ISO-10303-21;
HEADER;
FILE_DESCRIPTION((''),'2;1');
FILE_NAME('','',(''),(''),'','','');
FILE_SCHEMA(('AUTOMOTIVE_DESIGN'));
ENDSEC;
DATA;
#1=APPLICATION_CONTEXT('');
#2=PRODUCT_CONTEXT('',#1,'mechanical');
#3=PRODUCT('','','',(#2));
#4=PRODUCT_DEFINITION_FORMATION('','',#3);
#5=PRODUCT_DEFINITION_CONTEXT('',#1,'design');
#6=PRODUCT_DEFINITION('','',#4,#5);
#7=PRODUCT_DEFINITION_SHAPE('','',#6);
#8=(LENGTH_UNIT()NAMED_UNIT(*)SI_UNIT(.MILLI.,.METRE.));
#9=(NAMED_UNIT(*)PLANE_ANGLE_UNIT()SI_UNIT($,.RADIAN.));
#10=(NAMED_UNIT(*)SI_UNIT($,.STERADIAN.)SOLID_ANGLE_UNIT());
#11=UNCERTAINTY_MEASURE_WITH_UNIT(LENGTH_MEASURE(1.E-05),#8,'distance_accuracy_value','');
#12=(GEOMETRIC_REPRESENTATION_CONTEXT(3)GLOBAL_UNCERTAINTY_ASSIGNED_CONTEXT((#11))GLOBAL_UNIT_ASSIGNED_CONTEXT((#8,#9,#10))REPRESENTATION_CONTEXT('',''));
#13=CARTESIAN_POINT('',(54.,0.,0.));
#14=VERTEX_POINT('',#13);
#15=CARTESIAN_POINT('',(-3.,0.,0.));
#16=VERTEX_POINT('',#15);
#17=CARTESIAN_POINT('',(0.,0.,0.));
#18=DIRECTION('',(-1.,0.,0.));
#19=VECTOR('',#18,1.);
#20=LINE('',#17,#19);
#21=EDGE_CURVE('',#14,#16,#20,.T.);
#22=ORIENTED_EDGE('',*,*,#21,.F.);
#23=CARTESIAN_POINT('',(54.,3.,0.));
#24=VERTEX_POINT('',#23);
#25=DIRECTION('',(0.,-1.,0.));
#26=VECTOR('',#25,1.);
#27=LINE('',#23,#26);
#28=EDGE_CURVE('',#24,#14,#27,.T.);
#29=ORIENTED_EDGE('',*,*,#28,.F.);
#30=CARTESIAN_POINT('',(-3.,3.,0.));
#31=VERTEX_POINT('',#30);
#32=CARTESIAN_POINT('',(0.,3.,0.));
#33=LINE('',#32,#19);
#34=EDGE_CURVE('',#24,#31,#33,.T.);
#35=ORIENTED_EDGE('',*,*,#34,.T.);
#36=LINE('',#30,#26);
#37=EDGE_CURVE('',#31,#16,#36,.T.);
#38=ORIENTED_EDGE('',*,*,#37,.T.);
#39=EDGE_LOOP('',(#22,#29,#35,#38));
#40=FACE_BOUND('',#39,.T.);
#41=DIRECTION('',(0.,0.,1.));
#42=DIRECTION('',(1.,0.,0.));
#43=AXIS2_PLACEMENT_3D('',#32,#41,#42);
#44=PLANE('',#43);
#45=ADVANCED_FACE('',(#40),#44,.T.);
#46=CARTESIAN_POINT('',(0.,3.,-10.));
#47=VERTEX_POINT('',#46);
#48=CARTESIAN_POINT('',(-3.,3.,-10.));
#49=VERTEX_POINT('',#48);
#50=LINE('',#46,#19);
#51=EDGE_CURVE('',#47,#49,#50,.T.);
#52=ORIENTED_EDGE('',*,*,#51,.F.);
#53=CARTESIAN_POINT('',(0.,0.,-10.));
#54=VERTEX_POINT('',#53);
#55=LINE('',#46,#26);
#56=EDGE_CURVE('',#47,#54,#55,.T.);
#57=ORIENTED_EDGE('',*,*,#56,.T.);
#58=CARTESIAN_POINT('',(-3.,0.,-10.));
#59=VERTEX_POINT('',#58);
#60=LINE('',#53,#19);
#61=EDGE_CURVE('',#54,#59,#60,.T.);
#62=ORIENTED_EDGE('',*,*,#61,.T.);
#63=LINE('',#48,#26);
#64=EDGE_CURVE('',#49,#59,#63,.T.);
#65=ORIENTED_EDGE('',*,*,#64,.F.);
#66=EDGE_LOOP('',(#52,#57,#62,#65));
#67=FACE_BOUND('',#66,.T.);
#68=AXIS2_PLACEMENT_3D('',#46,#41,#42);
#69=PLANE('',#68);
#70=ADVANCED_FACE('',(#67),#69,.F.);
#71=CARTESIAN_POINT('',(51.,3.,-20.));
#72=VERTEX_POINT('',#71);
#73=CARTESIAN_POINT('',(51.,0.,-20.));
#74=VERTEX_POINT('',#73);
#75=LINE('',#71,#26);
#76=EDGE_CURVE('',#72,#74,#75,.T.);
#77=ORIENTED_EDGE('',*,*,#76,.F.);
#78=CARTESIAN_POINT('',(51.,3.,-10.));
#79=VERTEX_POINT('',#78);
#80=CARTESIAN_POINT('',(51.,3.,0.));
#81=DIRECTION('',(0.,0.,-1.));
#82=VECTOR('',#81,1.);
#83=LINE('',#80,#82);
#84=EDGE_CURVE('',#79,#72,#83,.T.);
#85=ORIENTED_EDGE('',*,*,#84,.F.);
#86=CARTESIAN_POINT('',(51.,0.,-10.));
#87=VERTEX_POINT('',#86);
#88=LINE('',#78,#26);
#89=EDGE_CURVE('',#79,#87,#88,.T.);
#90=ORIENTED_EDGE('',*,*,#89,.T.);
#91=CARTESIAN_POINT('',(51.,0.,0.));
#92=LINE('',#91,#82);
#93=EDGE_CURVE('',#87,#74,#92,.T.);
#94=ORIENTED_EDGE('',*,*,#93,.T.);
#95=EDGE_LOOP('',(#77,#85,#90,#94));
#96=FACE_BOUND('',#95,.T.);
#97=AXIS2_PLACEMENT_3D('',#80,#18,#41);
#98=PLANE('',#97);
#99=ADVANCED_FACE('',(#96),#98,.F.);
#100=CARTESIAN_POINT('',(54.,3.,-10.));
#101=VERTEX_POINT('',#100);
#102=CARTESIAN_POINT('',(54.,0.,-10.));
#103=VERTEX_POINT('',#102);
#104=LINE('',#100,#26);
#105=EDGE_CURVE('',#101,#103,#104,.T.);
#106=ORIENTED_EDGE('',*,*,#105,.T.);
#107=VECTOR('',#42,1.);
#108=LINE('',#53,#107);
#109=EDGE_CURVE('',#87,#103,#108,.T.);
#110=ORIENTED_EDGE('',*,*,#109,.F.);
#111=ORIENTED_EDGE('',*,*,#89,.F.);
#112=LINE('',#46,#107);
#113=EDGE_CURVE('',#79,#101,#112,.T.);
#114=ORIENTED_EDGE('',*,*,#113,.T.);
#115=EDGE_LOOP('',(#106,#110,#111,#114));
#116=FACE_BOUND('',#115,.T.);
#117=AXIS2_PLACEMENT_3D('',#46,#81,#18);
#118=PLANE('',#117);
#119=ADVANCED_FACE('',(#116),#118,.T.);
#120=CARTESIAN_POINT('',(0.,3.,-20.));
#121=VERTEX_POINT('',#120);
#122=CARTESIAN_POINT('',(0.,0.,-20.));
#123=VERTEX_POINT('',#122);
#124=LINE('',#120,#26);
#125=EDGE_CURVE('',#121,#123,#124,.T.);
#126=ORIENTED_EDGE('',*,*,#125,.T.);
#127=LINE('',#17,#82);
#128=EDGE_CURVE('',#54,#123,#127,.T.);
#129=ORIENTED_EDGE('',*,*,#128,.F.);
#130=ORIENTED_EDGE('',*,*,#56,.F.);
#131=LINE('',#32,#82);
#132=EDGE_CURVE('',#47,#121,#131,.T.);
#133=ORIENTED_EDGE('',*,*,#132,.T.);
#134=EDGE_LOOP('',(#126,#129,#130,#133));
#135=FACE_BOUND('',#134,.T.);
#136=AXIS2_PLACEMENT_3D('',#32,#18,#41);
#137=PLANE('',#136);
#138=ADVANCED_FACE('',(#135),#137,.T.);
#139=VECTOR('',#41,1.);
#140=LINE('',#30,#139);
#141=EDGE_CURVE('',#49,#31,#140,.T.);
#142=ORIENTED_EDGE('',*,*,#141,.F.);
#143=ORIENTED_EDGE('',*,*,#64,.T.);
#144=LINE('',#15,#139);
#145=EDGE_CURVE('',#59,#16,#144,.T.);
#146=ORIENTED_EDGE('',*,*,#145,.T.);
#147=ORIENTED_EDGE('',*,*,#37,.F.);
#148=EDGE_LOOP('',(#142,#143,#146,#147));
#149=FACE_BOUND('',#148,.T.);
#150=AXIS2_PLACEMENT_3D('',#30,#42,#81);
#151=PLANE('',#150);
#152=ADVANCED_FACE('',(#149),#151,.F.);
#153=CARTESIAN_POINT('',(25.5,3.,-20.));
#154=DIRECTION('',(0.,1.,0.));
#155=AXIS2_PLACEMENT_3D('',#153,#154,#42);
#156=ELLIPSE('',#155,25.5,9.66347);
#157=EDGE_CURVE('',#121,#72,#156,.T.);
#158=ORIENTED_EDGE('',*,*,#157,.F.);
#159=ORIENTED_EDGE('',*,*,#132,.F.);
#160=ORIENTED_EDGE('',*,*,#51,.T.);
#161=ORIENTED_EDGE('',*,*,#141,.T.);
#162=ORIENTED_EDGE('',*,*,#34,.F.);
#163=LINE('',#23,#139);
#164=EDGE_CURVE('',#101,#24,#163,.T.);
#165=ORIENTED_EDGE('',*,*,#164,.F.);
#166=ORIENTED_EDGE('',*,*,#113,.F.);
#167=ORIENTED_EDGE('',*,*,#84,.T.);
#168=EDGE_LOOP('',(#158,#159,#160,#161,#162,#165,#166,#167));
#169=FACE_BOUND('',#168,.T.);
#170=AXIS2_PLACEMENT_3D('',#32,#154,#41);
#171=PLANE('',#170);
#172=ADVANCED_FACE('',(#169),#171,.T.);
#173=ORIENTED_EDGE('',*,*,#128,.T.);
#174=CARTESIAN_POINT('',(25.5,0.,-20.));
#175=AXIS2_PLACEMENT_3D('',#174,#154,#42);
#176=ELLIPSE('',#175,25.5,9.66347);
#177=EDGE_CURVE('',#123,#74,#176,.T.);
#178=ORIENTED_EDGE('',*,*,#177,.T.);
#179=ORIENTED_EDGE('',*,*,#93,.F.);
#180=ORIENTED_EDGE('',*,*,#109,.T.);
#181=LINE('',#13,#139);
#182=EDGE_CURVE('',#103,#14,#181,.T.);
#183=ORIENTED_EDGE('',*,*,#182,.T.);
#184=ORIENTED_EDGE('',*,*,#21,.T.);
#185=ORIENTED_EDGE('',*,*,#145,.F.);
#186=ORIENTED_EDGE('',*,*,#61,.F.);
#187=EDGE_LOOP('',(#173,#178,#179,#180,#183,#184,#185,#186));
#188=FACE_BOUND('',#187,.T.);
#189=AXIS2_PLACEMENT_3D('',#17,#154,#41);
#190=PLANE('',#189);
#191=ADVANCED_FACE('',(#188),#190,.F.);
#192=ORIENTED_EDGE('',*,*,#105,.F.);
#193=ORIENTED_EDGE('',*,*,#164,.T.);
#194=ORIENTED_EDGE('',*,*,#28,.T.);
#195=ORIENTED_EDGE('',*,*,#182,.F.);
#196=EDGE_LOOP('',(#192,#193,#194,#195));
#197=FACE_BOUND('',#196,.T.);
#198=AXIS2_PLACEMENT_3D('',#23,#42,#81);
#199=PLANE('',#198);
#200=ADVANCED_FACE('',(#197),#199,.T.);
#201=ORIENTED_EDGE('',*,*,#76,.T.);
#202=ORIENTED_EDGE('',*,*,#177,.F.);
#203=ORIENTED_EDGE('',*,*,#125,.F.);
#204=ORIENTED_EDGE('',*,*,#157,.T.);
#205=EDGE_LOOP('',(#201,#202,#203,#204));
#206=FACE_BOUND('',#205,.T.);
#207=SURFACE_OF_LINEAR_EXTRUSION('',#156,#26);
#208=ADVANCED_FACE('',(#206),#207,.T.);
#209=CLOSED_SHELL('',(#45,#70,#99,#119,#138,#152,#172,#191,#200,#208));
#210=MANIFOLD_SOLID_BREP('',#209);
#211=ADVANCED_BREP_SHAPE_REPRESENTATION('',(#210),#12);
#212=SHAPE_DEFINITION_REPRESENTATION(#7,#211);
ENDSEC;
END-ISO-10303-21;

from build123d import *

# Parameters (mm, degrees)
BOSS_EXTRUDE1_DEPTH = 3


with BuildPart() as part:
    # Sketch2 → Boss-Extrude1 (new body)
    with BuildSketch(Plane(origin=(0, 0, 0), x_dir=(1, 0, 0), z_dir=(0, 1, 0))):
        with BuildLine():
            Line((25.5, 0), (25.5, 10.336529865))
            add(Edge.make_bspline(
                [(0, 20), (0, 10.336529865), (25.5, 10.336529865)],
                knots=[3.141592654, 3.141592654, 3.141592654, 4.71238898, 4.71238898, 4.71238898], degree=2, weights=[1, 0.707106781, 1]))
            Line((0, 20), (0, 10))
            Line((0, 10), (-3, 10))
            Line((-3, 10), (-3, 0))
            Line((-3, 0), (0, 0))
            Line((0, 0), (25.5, 0))
        make_face()
        with BuildLine():
            add(Edge.make_bspline(
                [(25.5, 10.336529865), (51, 10.336529865), (51, 20)],
                knots=[4.71238898, 4.71238898, 4.71238898, 6.283185307, 6.283185307, 6.283185307], degree=2, weights=[1, 0.707106781, 1]))
            Line((25.5, 10.336529865), (25.5, 0))
            Line((25.5, 0), (51, 0))
            Line((51, 0), (54, 0))
            Line((54, 0), (54, 10))
            Line((54, 10), (51, 10))
            Line((51, 10), (51, 20))
        make_face()
    extrude(amount=BOSS_EXTRUDE1_DEPTH)


solid = part.part
